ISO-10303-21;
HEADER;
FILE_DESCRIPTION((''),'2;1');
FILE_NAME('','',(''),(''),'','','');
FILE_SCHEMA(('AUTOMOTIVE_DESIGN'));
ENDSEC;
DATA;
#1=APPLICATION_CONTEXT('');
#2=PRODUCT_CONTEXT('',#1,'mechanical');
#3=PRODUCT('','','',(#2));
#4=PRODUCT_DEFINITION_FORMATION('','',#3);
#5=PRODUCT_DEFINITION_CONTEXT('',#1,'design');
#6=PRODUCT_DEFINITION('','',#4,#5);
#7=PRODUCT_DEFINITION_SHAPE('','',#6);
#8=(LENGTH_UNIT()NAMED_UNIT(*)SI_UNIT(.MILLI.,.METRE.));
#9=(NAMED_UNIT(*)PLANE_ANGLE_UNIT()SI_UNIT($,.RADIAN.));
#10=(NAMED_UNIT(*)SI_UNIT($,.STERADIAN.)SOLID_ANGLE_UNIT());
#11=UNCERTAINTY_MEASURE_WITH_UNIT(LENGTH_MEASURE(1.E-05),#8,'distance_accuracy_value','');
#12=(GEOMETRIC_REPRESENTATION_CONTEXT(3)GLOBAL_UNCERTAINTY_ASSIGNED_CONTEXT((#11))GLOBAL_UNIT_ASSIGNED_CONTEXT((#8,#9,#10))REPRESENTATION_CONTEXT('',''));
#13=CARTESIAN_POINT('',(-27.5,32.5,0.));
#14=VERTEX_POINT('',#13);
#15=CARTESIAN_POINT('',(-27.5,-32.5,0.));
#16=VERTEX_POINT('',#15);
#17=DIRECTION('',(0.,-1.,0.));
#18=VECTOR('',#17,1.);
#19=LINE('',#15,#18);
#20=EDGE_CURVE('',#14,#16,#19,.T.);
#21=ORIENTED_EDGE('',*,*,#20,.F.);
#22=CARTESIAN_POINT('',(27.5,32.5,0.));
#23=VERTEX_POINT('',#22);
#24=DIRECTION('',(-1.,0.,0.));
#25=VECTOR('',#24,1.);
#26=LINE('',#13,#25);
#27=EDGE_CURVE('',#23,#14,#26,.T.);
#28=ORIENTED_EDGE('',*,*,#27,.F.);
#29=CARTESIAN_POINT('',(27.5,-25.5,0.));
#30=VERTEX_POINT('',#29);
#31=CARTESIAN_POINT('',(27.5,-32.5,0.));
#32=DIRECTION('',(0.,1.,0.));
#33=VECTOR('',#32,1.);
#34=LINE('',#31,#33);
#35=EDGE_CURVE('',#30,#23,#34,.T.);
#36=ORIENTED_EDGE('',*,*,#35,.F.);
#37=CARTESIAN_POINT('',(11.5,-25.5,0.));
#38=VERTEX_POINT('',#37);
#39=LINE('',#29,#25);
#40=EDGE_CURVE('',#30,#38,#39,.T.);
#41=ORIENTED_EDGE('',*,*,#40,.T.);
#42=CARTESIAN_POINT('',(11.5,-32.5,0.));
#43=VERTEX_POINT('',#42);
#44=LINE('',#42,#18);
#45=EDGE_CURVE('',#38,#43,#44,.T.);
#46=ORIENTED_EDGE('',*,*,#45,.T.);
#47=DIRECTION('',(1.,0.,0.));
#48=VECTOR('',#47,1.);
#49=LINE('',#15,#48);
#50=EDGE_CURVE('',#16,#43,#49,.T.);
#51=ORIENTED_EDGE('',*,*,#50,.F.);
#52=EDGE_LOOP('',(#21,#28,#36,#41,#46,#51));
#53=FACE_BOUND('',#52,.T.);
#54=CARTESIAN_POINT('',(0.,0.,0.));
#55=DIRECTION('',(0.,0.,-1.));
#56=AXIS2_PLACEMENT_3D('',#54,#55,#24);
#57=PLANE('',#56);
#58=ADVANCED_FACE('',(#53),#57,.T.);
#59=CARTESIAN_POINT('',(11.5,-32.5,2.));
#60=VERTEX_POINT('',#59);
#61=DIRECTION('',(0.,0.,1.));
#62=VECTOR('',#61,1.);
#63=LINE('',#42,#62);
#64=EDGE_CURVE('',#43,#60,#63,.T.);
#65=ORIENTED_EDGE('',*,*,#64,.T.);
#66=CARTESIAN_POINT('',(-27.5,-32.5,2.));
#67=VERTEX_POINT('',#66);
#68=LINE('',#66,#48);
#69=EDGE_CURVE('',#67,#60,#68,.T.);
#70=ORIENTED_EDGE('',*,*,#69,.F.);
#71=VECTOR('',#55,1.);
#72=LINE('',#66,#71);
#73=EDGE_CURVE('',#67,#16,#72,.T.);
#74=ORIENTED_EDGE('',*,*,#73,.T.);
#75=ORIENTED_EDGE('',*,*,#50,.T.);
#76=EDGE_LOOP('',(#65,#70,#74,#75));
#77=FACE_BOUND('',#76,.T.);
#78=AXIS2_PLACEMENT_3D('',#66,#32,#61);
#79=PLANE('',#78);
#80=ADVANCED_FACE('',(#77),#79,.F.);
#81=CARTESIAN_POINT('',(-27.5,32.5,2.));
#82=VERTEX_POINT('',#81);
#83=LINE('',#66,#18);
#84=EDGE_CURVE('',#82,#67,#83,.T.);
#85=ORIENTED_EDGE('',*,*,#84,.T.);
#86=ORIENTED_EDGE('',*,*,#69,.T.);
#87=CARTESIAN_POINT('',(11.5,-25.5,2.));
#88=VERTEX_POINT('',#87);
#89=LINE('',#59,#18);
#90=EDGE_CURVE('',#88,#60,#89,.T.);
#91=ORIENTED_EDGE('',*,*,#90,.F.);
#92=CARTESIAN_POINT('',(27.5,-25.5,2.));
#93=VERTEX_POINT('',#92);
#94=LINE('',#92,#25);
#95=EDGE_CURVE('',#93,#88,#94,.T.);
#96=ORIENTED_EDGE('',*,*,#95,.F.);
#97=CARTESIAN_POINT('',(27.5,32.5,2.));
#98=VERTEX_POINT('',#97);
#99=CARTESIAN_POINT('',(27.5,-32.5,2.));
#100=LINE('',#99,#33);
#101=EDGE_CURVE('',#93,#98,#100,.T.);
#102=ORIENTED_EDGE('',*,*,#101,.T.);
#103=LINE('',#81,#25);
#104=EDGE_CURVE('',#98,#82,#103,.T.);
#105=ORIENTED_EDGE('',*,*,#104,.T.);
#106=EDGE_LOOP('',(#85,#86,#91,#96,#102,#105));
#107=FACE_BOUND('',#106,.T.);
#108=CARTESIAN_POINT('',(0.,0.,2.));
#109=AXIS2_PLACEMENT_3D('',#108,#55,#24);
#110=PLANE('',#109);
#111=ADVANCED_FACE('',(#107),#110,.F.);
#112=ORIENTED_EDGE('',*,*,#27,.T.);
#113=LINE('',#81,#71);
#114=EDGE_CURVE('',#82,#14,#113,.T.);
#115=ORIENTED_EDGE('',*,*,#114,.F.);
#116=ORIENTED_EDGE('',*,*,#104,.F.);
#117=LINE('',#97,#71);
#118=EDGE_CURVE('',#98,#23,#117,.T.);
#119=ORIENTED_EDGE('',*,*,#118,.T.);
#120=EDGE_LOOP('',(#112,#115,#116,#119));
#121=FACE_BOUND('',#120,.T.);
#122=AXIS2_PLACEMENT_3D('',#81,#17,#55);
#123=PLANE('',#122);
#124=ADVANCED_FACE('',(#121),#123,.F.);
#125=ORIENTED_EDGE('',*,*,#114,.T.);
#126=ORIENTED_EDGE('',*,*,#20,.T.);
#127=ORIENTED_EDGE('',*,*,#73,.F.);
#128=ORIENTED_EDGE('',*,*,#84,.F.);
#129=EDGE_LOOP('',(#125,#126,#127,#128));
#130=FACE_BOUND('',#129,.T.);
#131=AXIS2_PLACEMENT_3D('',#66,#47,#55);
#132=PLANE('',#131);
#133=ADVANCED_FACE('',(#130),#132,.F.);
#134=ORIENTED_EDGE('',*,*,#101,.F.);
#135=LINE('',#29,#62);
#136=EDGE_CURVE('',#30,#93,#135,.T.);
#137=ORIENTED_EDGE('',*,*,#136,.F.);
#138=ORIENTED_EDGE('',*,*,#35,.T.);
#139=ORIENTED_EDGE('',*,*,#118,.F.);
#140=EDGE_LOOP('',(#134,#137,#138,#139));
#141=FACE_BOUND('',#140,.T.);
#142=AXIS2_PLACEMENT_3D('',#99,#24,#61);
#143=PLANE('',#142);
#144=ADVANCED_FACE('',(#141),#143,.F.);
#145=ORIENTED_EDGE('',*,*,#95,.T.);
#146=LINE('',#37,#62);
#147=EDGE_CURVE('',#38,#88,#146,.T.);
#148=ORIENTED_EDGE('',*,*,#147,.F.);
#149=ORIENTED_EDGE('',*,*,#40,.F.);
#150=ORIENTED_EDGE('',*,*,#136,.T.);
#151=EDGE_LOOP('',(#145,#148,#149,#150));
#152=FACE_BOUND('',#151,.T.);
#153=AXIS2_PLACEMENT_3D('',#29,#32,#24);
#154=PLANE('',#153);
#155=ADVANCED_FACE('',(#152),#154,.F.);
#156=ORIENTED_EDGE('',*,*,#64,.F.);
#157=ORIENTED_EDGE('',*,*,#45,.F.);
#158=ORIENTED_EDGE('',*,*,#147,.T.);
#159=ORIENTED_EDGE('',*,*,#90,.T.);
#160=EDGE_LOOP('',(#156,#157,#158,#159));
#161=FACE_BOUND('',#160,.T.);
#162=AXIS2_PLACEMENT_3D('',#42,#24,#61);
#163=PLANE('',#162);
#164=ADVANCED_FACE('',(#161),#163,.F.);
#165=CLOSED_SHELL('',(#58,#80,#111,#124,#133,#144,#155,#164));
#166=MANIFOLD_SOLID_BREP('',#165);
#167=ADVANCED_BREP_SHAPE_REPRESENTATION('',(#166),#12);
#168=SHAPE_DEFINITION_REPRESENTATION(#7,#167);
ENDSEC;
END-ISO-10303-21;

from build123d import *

# Parameters (mm, degrees)
SKETCH_1_W          = 55
SKETCH_1_H          = 65
EXTRUDE_1_DEPTH     = 2
SKETCH_2_W          = 16
SKETCH_2_H          = 7
CUT_EXTRUDE_2_DEPTH = 2


with BuildPart() as part:
    # 草图1 → 凸台-拉伸1 (new body)
    with BuildSketch(Plane.XY):
        Rectangle(SKETCH_1_W, SKETCH_1_H)
    extrude(amount=EXTRUDE_1_DEPTH)

    # 草图2 → 切除-拉伸2 (cut)
    with BuildSketch(Plane.XY.offset(2)):
        with Locations((19.5, -29)):
            Rectangle(SKETCH_2_W, SKETCH_2_H)
    extrude(amount=-CUT_EXTRUDE_2_DEPTH, mode=Mode.SUBTRACT)


solid = part.part
